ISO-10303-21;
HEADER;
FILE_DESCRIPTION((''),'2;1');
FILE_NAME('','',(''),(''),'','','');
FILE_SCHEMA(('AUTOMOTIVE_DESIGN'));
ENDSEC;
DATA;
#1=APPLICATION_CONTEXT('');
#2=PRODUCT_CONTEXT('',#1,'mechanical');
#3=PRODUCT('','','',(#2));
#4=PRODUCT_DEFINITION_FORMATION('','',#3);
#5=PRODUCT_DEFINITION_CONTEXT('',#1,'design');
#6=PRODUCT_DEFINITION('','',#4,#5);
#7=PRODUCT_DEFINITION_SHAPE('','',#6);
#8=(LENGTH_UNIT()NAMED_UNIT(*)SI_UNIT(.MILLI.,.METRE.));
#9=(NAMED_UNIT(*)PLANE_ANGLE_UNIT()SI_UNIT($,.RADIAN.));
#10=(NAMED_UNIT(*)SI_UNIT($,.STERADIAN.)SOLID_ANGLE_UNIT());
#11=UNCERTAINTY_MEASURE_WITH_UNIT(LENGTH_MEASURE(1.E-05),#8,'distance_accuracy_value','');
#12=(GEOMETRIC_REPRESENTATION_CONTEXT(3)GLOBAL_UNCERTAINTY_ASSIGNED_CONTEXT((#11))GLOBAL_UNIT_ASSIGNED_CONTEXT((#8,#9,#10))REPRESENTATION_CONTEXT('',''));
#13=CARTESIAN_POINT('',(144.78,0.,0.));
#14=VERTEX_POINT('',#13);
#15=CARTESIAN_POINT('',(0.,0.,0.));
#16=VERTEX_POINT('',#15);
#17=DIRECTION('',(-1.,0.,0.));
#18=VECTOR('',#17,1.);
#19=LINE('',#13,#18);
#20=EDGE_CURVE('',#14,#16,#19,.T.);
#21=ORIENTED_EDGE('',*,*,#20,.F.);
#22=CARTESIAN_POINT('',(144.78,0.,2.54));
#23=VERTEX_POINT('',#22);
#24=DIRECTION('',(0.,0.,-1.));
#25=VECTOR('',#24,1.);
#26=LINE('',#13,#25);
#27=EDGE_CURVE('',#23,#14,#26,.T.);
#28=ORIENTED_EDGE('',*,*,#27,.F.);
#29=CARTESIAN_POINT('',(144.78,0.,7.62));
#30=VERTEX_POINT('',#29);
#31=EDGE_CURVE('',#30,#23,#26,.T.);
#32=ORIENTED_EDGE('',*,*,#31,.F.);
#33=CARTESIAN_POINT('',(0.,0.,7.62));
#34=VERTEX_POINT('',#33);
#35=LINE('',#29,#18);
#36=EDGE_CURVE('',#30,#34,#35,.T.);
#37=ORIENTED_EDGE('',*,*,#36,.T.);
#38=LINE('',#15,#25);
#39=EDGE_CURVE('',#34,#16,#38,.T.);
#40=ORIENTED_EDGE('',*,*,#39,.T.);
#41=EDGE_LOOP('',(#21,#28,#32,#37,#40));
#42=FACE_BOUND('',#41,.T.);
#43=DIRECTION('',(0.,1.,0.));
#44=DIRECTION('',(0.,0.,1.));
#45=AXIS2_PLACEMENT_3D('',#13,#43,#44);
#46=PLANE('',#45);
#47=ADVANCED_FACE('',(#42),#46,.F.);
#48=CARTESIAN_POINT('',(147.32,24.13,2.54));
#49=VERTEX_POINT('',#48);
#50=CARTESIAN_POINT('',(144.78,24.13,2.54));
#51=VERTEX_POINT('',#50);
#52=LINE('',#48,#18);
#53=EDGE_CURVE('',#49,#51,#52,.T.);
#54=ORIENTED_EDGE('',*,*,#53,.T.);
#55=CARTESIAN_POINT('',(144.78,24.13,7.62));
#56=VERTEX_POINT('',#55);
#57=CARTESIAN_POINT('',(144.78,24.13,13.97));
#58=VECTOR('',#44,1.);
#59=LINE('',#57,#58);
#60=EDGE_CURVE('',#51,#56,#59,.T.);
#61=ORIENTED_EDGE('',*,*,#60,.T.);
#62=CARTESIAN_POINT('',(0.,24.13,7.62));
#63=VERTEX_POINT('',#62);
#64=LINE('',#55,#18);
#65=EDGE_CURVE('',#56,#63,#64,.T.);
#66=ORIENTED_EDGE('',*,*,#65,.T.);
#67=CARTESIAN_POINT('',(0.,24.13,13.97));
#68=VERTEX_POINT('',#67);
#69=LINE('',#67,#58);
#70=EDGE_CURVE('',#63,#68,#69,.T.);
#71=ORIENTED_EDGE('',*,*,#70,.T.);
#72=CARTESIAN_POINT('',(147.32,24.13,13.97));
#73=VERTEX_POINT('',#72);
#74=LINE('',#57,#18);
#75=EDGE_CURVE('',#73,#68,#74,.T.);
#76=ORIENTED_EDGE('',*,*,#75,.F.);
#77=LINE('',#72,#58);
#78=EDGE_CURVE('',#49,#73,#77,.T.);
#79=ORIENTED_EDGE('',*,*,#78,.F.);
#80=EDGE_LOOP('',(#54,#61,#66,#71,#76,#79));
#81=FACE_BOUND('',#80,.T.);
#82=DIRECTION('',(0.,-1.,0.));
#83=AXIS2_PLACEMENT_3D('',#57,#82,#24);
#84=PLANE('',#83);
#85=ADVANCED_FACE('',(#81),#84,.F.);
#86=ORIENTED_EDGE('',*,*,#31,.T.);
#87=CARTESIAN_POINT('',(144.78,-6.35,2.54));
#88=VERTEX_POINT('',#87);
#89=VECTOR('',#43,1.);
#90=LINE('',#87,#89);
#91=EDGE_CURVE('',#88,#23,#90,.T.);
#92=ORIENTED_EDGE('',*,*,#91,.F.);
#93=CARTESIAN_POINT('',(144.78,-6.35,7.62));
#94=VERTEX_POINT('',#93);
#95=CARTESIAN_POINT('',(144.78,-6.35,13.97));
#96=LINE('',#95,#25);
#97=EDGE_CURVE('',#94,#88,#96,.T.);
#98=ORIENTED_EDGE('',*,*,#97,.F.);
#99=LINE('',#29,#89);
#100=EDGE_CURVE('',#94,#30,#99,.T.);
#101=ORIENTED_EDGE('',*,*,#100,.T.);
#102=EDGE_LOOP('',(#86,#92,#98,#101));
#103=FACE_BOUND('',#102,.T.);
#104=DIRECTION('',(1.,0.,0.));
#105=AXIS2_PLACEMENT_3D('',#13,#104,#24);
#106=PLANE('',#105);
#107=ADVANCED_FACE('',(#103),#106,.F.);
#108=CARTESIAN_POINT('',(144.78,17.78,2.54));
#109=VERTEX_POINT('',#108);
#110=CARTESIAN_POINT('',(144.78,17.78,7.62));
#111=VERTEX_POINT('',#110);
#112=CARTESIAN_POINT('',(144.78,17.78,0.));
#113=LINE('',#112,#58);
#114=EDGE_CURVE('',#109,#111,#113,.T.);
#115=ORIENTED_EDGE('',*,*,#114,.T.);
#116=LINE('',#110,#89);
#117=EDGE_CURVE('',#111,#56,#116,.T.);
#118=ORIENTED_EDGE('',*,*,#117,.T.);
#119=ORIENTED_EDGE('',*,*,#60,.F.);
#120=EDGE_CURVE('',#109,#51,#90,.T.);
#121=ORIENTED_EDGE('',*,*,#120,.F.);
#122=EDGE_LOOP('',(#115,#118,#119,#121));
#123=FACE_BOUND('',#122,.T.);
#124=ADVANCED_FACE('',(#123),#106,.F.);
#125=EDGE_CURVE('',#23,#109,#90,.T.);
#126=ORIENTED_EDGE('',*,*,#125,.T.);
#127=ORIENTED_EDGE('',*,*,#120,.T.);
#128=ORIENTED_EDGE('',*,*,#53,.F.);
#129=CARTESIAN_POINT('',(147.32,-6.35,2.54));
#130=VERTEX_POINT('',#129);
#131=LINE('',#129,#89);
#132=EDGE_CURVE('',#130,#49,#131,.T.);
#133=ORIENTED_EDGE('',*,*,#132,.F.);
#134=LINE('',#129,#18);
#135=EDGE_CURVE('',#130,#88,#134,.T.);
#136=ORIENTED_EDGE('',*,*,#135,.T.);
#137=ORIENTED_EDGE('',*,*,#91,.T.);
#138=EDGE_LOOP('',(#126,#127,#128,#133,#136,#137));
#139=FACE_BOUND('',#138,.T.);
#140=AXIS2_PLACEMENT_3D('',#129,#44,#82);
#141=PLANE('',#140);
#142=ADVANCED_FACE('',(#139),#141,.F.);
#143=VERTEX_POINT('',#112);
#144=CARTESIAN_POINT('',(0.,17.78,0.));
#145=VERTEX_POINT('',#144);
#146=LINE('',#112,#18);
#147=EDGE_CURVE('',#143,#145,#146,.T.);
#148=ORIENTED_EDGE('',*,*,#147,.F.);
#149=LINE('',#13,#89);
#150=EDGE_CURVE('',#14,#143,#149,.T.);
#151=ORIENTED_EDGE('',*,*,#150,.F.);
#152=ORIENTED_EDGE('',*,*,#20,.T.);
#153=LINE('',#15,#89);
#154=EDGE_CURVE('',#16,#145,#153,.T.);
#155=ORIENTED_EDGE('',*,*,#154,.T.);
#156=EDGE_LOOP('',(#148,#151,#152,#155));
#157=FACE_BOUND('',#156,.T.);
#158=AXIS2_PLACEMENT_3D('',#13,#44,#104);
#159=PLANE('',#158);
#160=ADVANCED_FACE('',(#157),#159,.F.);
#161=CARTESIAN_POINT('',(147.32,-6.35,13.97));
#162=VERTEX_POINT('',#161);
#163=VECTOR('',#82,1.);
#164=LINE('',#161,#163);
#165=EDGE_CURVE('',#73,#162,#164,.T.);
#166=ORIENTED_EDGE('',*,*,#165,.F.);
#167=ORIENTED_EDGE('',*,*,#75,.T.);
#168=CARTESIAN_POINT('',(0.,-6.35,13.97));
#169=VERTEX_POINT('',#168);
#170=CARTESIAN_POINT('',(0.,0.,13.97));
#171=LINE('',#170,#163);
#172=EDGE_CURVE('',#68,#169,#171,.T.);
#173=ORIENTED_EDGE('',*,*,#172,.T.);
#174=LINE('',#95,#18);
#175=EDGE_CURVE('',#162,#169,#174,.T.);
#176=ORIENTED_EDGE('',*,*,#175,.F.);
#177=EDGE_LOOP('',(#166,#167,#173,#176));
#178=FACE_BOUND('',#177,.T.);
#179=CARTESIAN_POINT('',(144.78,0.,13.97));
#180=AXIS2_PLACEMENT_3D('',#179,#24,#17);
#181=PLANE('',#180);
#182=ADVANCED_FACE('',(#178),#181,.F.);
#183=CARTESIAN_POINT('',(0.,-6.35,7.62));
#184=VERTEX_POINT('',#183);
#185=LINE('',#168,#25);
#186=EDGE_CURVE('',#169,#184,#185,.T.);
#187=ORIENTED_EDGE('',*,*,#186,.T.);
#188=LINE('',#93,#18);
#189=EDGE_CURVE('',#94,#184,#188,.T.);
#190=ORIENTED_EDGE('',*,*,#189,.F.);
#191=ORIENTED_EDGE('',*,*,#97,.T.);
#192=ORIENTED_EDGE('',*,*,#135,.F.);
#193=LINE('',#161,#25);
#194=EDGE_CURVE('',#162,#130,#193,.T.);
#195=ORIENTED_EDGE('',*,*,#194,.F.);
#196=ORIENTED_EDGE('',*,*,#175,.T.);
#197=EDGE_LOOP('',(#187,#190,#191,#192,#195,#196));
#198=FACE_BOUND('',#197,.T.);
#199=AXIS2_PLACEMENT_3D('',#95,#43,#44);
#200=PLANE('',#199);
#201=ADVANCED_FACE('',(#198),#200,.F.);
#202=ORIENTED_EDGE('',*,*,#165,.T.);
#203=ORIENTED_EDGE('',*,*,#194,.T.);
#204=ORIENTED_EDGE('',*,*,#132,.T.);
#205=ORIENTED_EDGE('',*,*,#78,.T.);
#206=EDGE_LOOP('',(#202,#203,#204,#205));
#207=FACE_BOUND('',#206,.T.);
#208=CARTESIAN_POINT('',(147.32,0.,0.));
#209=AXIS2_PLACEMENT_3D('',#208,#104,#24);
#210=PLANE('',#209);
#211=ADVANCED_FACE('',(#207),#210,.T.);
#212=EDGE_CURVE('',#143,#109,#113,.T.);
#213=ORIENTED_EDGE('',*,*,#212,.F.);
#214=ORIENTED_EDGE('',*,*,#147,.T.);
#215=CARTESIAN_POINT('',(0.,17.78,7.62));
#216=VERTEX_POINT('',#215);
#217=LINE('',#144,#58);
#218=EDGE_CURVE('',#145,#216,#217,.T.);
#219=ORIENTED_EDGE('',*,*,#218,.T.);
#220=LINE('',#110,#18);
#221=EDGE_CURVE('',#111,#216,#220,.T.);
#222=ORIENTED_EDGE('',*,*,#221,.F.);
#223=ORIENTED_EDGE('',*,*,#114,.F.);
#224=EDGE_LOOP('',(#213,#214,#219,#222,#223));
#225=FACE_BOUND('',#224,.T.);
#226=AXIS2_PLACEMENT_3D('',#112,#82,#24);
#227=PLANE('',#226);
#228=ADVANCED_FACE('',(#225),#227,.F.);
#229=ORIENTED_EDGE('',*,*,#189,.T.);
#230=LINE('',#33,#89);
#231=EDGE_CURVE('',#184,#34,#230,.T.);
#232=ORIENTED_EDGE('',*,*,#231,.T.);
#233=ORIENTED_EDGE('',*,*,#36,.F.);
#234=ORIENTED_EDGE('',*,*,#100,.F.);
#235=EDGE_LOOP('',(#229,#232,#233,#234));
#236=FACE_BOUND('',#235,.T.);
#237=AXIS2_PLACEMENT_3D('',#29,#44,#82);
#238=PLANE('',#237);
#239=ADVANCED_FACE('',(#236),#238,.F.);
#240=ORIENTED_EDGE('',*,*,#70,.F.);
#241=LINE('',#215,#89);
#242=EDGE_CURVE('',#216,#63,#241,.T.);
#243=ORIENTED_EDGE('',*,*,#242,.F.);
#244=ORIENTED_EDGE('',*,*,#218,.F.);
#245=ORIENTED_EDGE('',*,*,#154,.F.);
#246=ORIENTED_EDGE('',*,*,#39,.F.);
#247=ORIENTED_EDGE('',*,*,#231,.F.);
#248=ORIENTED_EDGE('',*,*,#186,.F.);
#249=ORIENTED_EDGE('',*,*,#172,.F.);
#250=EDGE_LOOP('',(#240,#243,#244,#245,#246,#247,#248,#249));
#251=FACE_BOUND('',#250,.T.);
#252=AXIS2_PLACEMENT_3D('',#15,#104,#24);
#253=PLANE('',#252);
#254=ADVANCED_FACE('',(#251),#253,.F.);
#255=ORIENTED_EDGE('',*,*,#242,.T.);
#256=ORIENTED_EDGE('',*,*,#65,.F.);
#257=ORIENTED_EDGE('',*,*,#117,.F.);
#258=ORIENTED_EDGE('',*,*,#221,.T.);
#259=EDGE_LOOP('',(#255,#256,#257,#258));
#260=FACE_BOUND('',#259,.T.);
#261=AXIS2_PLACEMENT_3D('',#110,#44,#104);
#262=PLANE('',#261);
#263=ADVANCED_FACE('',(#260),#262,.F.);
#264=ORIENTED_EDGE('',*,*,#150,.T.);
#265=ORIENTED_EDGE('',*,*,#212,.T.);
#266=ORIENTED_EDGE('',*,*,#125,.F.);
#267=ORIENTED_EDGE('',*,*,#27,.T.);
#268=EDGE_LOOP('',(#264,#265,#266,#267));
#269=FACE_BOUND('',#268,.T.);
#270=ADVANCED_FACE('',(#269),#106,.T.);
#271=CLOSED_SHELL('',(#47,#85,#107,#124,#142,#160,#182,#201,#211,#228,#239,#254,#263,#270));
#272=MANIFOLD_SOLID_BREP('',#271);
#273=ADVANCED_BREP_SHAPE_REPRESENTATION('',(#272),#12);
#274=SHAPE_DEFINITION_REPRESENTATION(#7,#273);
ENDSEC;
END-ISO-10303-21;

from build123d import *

# Parameters (mm, degrees)
BOSS_EXTRUDE1_DEPTH = 144.78
SKETCH2_W           = 30.48
SKETCH2_H           = 11.43
BOSS_EXTRUDE2_DEPTH = 2.54


with BuildPart() as part:
    # Sketch1 → Boss-Extrude1 (new body)
    with BuildSketch(Plane.YZ):
        Polygon((0, 0), (17.78, 0), (17.78, 7.62), (24.13, 7.62), (24.13, 13.97), (17.78, 13.97), (0, 13.97), (-6.35, 13.97), (-6.35, 7.62), (0, 7.62), align=None)
    extrude(amount=BOSS_EXTRUDE1_DEPTH)

    # Sketch2 → Boss-Extrude2 (add)
    with BuildSketch(Plane.YZ.offset(144.78)):
        with Locations((8.89, 8.255)):
            Rectangle(SKETCH2_W, SKETCH2_H)
    extrude(amount=BOSS_EXTRUDE2_DEPTH)


solid = part.part
